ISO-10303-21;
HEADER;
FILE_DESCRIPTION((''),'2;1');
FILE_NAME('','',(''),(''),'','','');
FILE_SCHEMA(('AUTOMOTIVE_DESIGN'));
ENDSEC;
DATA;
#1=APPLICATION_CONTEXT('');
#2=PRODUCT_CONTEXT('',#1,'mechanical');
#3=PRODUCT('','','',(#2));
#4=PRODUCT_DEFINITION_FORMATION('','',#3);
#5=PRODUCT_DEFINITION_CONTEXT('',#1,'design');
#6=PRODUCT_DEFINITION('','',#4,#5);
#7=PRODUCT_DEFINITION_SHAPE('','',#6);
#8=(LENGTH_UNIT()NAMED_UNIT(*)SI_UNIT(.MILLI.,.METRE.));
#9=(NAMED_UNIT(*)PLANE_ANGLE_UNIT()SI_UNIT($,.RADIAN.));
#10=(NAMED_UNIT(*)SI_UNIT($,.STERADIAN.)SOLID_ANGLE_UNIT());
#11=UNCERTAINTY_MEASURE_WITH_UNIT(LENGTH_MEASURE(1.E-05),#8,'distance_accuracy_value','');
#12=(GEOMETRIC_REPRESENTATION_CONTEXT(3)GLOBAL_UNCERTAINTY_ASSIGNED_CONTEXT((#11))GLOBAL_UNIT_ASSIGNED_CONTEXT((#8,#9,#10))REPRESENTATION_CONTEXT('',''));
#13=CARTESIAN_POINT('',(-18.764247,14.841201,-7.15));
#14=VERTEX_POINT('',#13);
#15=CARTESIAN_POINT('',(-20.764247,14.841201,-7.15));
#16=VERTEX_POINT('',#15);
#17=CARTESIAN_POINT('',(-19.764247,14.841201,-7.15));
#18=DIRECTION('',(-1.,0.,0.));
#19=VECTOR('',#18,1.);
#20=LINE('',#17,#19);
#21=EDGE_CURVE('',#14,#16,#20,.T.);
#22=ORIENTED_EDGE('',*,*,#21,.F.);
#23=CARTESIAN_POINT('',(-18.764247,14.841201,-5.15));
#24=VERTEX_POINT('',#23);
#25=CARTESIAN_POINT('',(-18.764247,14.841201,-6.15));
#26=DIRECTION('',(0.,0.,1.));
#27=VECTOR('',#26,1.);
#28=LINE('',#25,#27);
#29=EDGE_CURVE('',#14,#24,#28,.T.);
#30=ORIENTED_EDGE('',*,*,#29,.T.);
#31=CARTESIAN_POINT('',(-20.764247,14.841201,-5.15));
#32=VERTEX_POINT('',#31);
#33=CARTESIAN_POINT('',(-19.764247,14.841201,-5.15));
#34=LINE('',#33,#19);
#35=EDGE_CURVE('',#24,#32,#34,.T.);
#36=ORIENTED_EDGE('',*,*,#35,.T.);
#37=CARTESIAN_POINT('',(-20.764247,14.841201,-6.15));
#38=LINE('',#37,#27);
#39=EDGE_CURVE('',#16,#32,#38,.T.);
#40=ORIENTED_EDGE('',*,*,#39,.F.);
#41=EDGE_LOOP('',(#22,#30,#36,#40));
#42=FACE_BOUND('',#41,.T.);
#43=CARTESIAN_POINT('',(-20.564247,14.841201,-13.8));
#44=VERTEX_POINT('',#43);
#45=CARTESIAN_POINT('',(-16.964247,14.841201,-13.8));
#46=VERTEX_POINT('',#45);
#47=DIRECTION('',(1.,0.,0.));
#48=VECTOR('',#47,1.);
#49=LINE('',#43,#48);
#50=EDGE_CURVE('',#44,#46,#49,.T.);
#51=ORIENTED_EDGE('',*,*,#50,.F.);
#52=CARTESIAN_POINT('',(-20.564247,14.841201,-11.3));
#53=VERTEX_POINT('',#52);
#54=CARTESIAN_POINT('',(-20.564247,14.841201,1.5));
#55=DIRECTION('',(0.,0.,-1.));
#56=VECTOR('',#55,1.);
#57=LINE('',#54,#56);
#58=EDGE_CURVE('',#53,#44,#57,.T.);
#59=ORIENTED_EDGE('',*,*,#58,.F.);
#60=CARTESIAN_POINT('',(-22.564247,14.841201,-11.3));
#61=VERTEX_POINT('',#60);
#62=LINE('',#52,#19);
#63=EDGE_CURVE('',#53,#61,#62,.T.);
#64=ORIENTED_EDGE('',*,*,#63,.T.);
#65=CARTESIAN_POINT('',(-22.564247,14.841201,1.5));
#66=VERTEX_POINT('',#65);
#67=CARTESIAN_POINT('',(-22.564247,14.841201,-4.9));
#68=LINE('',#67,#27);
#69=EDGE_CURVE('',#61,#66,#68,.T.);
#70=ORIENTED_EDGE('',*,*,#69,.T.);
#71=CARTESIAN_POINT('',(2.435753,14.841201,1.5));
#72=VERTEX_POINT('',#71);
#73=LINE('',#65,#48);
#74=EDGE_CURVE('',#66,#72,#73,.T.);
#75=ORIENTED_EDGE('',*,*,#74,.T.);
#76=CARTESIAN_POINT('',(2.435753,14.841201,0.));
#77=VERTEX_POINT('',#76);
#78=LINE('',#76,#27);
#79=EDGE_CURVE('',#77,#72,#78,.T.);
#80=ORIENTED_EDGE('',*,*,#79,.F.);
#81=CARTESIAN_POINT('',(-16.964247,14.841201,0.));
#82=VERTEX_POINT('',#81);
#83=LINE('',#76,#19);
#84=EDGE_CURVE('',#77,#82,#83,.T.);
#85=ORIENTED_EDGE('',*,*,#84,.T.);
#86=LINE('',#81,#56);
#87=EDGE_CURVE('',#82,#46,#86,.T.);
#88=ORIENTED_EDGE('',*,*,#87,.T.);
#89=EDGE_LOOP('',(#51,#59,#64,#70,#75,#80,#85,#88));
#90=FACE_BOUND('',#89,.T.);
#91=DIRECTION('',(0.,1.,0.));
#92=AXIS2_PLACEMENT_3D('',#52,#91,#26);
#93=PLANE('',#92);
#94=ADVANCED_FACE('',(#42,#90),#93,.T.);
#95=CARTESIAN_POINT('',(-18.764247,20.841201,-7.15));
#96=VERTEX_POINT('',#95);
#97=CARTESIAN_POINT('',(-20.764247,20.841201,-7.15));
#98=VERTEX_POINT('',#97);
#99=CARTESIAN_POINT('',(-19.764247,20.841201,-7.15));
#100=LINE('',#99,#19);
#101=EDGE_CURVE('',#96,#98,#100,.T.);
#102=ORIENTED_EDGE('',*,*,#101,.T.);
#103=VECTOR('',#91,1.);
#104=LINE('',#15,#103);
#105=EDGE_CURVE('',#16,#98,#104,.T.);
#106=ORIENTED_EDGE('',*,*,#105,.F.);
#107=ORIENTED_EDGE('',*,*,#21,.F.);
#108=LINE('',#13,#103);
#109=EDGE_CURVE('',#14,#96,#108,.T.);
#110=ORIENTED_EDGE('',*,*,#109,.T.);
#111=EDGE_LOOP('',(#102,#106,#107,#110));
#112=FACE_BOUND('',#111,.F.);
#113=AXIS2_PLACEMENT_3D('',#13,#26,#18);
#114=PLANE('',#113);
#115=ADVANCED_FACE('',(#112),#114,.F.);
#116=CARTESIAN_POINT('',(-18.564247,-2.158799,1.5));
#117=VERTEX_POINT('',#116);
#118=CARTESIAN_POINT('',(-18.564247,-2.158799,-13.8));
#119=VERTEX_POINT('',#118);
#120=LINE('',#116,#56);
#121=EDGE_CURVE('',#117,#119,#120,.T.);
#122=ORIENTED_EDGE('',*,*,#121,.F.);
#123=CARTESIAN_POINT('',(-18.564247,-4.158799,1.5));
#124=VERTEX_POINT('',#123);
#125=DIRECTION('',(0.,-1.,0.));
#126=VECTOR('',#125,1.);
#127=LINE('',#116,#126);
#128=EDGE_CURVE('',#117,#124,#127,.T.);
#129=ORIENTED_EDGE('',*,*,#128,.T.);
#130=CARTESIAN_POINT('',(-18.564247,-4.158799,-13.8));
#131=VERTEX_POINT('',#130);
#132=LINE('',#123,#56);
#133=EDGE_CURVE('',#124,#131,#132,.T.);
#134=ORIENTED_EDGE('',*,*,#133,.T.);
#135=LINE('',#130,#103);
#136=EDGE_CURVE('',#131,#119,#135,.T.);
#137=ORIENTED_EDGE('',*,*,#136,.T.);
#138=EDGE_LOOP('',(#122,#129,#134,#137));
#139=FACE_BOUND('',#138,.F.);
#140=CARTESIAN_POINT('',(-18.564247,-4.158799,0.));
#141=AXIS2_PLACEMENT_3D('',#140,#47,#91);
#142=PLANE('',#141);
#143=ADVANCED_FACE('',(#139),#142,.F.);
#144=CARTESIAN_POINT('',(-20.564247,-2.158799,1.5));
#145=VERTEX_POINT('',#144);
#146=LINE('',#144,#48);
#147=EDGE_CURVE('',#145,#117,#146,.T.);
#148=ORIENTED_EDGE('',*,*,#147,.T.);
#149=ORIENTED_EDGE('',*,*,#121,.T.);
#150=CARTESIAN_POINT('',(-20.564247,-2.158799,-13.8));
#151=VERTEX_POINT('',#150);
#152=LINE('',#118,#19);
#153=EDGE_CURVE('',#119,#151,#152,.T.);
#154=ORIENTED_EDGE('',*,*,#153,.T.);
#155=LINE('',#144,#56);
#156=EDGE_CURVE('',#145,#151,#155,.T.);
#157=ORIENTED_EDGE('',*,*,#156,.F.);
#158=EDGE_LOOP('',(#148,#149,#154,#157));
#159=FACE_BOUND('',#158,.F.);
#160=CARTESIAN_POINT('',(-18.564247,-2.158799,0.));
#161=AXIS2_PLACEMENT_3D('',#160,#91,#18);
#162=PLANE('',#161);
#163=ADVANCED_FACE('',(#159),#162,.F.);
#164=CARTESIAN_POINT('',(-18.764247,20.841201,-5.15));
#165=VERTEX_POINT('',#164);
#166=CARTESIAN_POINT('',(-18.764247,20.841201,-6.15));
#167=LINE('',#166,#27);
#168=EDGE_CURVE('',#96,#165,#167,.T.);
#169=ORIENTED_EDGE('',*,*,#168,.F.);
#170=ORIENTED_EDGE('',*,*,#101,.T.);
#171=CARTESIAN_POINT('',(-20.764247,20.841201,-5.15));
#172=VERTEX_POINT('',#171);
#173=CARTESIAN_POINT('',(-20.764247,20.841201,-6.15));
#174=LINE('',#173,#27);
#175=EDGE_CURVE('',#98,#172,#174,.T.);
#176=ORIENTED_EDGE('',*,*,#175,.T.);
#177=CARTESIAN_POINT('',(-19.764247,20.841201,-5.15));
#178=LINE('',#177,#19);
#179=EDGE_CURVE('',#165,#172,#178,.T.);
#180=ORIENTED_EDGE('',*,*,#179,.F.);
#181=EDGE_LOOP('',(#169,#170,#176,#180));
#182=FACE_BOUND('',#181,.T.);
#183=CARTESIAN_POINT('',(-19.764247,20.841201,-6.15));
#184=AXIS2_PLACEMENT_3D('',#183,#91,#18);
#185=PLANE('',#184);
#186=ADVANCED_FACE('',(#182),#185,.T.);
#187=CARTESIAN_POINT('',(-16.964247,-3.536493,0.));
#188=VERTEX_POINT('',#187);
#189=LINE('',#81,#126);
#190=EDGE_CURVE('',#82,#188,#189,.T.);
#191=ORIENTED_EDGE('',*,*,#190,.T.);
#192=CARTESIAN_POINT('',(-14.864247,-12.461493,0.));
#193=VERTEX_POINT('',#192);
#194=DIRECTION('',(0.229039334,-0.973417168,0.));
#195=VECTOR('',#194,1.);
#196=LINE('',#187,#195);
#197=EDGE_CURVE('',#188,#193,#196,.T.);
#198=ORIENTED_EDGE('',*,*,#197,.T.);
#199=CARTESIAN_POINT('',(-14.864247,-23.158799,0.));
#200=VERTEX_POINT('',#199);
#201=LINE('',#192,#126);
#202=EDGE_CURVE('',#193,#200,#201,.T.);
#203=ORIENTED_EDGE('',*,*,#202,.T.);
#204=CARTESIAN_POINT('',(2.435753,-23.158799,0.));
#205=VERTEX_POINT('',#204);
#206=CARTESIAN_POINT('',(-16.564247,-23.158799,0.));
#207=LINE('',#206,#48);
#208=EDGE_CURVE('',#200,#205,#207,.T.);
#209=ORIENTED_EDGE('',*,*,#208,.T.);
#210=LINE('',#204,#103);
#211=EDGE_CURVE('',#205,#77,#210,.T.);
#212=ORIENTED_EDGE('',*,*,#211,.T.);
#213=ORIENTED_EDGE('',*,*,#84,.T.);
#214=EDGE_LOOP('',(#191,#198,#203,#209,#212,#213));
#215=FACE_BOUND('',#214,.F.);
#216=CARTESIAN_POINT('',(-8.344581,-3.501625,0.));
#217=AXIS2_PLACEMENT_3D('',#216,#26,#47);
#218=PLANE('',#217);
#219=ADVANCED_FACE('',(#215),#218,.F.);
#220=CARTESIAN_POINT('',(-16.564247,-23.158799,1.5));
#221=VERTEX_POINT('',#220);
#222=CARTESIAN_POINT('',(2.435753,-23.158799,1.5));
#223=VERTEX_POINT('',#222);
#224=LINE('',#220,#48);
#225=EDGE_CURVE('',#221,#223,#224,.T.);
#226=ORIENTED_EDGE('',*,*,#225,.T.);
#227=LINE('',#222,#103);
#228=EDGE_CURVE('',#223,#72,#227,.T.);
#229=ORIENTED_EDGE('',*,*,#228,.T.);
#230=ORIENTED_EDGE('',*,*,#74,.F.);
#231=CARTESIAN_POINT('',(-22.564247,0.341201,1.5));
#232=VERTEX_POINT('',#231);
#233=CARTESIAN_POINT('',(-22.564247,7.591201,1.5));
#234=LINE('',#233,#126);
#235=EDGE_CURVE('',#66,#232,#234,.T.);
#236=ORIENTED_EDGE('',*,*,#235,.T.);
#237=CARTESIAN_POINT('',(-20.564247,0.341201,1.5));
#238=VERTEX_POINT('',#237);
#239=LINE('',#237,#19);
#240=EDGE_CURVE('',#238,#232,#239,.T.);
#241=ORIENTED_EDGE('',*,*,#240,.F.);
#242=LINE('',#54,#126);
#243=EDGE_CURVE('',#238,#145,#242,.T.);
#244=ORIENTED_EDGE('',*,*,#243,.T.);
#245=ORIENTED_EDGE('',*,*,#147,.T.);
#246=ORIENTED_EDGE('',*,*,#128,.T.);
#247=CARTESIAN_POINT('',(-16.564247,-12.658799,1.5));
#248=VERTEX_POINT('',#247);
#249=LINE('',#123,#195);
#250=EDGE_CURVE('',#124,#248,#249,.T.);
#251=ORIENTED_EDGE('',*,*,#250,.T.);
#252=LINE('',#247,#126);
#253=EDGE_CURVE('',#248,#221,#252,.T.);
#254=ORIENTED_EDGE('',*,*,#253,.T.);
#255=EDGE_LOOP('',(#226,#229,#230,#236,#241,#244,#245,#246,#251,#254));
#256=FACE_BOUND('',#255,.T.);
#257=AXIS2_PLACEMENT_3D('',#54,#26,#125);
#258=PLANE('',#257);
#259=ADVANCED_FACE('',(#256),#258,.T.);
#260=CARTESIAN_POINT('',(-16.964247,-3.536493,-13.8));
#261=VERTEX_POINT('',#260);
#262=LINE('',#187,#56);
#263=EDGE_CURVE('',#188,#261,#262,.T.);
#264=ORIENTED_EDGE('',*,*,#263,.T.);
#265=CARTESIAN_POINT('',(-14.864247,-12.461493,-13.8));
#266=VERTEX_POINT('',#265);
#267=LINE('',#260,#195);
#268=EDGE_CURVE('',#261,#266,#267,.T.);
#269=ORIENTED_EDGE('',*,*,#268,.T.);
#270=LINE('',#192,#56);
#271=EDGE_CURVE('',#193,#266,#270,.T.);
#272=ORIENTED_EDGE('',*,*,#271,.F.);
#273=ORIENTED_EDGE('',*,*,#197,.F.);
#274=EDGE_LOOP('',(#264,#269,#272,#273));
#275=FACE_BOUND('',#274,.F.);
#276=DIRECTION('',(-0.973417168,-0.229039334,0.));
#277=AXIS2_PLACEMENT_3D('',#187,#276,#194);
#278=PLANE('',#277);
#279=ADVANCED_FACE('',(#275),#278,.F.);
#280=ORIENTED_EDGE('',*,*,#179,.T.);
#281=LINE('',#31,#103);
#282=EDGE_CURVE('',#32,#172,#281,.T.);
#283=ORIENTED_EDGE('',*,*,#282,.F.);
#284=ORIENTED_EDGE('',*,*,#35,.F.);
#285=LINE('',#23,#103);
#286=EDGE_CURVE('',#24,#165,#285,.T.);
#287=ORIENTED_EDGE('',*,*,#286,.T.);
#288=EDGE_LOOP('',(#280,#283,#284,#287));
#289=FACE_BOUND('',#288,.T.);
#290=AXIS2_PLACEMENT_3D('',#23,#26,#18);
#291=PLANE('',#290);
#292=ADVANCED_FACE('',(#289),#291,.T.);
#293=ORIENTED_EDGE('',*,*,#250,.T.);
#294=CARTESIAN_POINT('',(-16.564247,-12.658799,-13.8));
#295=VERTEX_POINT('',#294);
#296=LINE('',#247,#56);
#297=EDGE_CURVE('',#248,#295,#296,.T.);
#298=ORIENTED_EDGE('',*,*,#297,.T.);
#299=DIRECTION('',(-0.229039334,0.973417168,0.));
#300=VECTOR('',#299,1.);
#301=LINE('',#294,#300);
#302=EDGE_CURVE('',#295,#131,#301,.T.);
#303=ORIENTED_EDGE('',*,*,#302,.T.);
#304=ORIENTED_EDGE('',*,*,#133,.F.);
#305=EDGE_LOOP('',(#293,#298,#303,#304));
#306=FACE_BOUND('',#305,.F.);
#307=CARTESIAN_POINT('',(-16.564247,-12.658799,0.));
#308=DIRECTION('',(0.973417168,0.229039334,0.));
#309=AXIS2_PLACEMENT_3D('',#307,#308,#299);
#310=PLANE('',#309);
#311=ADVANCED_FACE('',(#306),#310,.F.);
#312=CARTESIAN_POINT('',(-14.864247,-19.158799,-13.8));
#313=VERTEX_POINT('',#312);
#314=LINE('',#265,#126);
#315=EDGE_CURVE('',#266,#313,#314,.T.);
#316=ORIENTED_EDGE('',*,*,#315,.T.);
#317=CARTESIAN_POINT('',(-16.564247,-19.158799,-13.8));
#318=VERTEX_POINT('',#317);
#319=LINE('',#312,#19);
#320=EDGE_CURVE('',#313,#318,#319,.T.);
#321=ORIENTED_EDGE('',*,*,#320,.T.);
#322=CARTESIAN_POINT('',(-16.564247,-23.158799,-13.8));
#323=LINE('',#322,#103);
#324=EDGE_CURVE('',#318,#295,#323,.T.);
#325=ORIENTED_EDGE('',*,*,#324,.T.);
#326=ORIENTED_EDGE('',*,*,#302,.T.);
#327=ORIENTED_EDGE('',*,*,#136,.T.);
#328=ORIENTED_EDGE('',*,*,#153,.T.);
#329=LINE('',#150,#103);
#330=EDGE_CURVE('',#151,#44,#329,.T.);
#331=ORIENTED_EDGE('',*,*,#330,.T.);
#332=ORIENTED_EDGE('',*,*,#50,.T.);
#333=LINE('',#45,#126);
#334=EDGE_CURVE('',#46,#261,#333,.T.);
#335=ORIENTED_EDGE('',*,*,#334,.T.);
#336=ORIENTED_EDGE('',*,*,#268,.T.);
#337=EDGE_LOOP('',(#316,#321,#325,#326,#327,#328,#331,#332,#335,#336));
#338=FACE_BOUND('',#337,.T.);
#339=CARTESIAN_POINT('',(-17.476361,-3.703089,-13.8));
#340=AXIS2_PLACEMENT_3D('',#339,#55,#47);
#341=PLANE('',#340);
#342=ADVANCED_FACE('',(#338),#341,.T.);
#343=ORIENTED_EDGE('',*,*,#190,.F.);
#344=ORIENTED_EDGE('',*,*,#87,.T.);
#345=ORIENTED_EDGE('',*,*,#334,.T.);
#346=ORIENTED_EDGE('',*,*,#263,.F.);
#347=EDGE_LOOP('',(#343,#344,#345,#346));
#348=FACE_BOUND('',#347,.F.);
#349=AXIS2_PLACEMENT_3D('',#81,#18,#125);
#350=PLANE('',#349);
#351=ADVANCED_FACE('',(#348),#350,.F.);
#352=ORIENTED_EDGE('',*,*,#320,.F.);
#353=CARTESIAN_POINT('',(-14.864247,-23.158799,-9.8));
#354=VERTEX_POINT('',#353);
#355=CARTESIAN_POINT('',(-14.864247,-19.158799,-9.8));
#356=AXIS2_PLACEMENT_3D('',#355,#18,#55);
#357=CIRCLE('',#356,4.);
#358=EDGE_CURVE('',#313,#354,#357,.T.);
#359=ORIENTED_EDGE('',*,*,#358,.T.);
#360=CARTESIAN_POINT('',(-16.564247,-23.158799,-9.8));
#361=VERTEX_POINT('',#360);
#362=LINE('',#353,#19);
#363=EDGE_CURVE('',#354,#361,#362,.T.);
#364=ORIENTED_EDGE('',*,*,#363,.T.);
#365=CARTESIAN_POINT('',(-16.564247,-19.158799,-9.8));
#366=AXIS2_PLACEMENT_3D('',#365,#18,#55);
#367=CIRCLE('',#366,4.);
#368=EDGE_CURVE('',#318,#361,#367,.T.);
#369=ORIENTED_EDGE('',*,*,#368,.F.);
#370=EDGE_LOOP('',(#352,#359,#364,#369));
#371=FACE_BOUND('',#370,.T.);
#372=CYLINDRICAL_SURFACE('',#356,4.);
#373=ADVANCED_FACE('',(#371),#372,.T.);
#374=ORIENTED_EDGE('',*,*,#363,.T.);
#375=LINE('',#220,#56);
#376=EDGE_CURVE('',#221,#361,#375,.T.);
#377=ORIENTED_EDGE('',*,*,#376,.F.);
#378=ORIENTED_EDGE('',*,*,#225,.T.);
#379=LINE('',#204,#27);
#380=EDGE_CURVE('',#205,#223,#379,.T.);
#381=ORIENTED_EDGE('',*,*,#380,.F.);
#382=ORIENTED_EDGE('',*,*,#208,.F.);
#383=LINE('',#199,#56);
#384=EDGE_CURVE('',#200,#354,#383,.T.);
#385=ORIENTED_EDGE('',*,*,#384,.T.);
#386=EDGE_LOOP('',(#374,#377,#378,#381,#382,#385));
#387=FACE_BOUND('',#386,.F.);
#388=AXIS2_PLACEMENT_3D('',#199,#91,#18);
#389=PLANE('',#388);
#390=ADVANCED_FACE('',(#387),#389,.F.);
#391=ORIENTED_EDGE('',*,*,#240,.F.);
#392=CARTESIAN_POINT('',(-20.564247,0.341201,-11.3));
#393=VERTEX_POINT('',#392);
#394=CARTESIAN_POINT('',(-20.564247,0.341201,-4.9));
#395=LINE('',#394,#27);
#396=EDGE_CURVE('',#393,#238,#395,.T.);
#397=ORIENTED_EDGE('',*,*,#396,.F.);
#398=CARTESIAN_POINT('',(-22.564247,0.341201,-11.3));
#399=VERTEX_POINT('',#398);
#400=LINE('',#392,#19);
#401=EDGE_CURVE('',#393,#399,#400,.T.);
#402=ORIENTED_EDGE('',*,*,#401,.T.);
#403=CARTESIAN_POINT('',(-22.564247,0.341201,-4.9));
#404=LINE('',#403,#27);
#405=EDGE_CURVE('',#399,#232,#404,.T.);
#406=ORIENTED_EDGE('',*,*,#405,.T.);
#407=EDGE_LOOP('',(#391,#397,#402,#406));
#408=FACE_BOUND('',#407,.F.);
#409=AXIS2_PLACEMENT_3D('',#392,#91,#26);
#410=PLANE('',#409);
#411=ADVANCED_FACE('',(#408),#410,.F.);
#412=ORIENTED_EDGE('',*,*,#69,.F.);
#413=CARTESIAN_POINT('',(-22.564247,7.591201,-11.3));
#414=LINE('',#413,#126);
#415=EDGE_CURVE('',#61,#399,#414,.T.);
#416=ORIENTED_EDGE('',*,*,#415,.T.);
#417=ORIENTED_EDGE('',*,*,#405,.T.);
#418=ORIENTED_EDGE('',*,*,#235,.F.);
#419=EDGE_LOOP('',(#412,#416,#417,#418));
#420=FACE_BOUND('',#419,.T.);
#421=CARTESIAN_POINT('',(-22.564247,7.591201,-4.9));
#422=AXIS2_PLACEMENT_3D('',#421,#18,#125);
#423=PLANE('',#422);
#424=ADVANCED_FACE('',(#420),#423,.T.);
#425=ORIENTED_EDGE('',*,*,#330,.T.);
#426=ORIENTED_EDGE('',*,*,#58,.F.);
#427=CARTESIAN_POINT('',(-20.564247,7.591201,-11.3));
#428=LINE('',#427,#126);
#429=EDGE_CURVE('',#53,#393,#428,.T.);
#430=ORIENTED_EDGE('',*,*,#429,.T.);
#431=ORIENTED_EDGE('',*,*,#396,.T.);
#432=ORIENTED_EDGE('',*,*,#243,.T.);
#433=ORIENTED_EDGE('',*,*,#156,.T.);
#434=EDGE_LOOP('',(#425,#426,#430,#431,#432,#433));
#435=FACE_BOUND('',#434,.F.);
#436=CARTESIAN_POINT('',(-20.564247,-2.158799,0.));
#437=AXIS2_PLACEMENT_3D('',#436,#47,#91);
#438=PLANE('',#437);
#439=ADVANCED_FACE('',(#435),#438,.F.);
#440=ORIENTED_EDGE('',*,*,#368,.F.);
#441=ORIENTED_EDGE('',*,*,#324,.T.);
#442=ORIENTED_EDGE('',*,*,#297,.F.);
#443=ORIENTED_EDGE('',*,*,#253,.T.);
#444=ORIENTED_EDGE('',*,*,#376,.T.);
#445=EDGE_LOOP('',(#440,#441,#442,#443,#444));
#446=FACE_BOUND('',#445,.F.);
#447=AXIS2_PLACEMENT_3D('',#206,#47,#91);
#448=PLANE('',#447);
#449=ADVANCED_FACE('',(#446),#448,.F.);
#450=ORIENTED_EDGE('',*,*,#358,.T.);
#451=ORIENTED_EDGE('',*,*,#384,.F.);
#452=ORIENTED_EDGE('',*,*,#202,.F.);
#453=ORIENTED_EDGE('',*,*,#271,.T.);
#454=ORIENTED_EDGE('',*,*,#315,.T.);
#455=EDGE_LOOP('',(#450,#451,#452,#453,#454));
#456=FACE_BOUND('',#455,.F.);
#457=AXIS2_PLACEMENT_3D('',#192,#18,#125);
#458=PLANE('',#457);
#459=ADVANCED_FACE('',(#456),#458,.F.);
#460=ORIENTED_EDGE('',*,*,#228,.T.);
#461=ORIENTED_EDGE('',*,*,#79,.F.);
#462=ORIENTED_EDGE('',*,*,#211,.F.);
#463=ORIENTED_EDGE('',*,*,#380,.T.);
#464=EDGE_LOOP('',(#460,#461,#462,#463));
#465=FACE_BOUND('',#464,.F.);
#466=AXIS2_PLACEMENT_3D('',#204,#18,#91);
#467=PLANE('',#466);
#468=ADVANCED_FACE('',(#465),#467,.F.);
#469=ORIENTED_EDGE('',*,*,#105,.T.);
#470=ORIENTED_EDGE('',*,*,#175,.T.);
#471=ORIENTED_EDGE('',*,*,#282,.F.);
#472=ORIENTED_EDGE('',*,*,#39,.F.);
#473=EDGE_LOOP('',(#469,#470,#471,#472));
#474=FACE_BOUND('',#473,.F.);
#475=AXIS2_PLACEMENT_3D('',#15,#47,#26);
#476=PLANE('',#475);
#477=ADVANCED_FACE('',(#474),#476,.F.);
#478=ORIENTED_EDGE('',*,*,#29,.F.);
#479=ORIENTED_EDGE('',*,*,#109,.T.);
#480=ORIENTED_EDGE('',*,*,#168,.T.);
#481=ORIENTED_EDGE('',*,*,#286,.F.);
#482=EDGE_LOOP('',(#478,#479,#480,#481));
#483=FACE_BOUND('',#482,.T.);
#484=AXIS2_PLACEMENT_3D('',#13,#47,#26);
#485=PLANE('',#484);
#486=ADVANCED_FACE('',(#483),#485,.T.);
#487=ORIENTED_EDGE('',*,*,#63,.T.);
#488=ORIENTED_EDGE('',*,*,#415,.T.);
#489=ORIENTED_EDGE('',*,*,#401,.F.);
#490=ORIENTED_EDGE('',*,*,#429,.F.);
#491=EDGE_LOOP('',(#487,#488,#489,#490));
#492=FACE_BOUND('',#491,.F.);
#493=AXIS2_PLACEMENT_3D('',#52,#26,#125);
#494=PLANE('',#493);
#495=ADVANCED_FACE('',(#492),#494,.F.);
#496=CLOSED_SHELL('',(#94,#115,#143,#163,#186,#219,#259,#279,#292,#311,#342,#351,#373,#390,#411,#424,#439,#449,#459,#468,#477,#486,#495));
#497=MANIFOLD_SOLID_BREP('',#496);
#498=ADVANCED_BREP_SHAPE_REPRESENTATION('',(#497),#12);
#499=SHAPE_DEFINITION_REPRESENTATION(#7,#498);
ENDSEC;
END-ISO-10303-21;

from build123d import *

# Parameters (mm, degrees)
F1_DEPTH = 1.5
F3_DEPTH = 13.8
F4_W     = 14.5
F4_H     = 12.8
F5_DEPTH = 2
F6_W     = 2
F6_H     = 2
F7_DEPTH = 6
F8_R     = 4


with BuildPart() as f1:
    # F0 (on Top) → F1 (new body)
    with BuildSketch(Plane.XY):
        Polygon((2.435753, 14.841201), (-20.564247, 14.841201), (-20.564247, -2.158799), (-18.564247, -2.158799), (-18.564247, -4.158799), (-16.564247, -12.658799), (-16.564247, -23.158799), (2.435753, -23.158799), align=None)
    extrude(amount=F1_DEPTH)

    # F2 (on face) → F3 (join)
    with BuildSketch(Plane(origin=(0, 0, 0), x_dir=(1, 0, 0), z_dir=(0, 0, -1))):
        Polygon((-14.864247, 23.158799), (-16.564247, 23.158799), (-16.564247, 12.658799), (-18.564247, 4.158799), (-18.564247, 2.158799), (-20.564247, 2.158799), (-20.564247, -14.841201), (-16.964247, -14.841201), (-16.964247, 3.536493), (-14.864247, 12.461493), align=None)
    extrude(amount=F3_DEPTH)

    # F4 (on face) → F5 (join)
    with BuildSketch(Plane(origin=(-20.564247, 0, 0), x_dir=(0, -1, 0), z_dir=(-1, 0, 0))):
        with Locations((-7.591201, -4.9)):
            Rectangle(F4_W, F4_H)
    extrude(amount=F5_DEPTH)

    # F6 (on face) → F7 (join)
    with BuildSketch(Plane(origin=(0, 14.841201, 0), x_dir=(-1, 0, 0), z_dir=(0, 1, 0))):
        with Locations((19.764247, -6.15)):
            Rectangle(F6_W, F6_H)
    extrude(amount=F7_DEPTH)

    # F8
    f8_edges = [f1.edges().sort_by_distance(p)[0] for p in [
        (-15.714247, -23.158799, -13.8),
    ]]
    fillet(f8_edges, radius=F8_R)


solid = f1.part
